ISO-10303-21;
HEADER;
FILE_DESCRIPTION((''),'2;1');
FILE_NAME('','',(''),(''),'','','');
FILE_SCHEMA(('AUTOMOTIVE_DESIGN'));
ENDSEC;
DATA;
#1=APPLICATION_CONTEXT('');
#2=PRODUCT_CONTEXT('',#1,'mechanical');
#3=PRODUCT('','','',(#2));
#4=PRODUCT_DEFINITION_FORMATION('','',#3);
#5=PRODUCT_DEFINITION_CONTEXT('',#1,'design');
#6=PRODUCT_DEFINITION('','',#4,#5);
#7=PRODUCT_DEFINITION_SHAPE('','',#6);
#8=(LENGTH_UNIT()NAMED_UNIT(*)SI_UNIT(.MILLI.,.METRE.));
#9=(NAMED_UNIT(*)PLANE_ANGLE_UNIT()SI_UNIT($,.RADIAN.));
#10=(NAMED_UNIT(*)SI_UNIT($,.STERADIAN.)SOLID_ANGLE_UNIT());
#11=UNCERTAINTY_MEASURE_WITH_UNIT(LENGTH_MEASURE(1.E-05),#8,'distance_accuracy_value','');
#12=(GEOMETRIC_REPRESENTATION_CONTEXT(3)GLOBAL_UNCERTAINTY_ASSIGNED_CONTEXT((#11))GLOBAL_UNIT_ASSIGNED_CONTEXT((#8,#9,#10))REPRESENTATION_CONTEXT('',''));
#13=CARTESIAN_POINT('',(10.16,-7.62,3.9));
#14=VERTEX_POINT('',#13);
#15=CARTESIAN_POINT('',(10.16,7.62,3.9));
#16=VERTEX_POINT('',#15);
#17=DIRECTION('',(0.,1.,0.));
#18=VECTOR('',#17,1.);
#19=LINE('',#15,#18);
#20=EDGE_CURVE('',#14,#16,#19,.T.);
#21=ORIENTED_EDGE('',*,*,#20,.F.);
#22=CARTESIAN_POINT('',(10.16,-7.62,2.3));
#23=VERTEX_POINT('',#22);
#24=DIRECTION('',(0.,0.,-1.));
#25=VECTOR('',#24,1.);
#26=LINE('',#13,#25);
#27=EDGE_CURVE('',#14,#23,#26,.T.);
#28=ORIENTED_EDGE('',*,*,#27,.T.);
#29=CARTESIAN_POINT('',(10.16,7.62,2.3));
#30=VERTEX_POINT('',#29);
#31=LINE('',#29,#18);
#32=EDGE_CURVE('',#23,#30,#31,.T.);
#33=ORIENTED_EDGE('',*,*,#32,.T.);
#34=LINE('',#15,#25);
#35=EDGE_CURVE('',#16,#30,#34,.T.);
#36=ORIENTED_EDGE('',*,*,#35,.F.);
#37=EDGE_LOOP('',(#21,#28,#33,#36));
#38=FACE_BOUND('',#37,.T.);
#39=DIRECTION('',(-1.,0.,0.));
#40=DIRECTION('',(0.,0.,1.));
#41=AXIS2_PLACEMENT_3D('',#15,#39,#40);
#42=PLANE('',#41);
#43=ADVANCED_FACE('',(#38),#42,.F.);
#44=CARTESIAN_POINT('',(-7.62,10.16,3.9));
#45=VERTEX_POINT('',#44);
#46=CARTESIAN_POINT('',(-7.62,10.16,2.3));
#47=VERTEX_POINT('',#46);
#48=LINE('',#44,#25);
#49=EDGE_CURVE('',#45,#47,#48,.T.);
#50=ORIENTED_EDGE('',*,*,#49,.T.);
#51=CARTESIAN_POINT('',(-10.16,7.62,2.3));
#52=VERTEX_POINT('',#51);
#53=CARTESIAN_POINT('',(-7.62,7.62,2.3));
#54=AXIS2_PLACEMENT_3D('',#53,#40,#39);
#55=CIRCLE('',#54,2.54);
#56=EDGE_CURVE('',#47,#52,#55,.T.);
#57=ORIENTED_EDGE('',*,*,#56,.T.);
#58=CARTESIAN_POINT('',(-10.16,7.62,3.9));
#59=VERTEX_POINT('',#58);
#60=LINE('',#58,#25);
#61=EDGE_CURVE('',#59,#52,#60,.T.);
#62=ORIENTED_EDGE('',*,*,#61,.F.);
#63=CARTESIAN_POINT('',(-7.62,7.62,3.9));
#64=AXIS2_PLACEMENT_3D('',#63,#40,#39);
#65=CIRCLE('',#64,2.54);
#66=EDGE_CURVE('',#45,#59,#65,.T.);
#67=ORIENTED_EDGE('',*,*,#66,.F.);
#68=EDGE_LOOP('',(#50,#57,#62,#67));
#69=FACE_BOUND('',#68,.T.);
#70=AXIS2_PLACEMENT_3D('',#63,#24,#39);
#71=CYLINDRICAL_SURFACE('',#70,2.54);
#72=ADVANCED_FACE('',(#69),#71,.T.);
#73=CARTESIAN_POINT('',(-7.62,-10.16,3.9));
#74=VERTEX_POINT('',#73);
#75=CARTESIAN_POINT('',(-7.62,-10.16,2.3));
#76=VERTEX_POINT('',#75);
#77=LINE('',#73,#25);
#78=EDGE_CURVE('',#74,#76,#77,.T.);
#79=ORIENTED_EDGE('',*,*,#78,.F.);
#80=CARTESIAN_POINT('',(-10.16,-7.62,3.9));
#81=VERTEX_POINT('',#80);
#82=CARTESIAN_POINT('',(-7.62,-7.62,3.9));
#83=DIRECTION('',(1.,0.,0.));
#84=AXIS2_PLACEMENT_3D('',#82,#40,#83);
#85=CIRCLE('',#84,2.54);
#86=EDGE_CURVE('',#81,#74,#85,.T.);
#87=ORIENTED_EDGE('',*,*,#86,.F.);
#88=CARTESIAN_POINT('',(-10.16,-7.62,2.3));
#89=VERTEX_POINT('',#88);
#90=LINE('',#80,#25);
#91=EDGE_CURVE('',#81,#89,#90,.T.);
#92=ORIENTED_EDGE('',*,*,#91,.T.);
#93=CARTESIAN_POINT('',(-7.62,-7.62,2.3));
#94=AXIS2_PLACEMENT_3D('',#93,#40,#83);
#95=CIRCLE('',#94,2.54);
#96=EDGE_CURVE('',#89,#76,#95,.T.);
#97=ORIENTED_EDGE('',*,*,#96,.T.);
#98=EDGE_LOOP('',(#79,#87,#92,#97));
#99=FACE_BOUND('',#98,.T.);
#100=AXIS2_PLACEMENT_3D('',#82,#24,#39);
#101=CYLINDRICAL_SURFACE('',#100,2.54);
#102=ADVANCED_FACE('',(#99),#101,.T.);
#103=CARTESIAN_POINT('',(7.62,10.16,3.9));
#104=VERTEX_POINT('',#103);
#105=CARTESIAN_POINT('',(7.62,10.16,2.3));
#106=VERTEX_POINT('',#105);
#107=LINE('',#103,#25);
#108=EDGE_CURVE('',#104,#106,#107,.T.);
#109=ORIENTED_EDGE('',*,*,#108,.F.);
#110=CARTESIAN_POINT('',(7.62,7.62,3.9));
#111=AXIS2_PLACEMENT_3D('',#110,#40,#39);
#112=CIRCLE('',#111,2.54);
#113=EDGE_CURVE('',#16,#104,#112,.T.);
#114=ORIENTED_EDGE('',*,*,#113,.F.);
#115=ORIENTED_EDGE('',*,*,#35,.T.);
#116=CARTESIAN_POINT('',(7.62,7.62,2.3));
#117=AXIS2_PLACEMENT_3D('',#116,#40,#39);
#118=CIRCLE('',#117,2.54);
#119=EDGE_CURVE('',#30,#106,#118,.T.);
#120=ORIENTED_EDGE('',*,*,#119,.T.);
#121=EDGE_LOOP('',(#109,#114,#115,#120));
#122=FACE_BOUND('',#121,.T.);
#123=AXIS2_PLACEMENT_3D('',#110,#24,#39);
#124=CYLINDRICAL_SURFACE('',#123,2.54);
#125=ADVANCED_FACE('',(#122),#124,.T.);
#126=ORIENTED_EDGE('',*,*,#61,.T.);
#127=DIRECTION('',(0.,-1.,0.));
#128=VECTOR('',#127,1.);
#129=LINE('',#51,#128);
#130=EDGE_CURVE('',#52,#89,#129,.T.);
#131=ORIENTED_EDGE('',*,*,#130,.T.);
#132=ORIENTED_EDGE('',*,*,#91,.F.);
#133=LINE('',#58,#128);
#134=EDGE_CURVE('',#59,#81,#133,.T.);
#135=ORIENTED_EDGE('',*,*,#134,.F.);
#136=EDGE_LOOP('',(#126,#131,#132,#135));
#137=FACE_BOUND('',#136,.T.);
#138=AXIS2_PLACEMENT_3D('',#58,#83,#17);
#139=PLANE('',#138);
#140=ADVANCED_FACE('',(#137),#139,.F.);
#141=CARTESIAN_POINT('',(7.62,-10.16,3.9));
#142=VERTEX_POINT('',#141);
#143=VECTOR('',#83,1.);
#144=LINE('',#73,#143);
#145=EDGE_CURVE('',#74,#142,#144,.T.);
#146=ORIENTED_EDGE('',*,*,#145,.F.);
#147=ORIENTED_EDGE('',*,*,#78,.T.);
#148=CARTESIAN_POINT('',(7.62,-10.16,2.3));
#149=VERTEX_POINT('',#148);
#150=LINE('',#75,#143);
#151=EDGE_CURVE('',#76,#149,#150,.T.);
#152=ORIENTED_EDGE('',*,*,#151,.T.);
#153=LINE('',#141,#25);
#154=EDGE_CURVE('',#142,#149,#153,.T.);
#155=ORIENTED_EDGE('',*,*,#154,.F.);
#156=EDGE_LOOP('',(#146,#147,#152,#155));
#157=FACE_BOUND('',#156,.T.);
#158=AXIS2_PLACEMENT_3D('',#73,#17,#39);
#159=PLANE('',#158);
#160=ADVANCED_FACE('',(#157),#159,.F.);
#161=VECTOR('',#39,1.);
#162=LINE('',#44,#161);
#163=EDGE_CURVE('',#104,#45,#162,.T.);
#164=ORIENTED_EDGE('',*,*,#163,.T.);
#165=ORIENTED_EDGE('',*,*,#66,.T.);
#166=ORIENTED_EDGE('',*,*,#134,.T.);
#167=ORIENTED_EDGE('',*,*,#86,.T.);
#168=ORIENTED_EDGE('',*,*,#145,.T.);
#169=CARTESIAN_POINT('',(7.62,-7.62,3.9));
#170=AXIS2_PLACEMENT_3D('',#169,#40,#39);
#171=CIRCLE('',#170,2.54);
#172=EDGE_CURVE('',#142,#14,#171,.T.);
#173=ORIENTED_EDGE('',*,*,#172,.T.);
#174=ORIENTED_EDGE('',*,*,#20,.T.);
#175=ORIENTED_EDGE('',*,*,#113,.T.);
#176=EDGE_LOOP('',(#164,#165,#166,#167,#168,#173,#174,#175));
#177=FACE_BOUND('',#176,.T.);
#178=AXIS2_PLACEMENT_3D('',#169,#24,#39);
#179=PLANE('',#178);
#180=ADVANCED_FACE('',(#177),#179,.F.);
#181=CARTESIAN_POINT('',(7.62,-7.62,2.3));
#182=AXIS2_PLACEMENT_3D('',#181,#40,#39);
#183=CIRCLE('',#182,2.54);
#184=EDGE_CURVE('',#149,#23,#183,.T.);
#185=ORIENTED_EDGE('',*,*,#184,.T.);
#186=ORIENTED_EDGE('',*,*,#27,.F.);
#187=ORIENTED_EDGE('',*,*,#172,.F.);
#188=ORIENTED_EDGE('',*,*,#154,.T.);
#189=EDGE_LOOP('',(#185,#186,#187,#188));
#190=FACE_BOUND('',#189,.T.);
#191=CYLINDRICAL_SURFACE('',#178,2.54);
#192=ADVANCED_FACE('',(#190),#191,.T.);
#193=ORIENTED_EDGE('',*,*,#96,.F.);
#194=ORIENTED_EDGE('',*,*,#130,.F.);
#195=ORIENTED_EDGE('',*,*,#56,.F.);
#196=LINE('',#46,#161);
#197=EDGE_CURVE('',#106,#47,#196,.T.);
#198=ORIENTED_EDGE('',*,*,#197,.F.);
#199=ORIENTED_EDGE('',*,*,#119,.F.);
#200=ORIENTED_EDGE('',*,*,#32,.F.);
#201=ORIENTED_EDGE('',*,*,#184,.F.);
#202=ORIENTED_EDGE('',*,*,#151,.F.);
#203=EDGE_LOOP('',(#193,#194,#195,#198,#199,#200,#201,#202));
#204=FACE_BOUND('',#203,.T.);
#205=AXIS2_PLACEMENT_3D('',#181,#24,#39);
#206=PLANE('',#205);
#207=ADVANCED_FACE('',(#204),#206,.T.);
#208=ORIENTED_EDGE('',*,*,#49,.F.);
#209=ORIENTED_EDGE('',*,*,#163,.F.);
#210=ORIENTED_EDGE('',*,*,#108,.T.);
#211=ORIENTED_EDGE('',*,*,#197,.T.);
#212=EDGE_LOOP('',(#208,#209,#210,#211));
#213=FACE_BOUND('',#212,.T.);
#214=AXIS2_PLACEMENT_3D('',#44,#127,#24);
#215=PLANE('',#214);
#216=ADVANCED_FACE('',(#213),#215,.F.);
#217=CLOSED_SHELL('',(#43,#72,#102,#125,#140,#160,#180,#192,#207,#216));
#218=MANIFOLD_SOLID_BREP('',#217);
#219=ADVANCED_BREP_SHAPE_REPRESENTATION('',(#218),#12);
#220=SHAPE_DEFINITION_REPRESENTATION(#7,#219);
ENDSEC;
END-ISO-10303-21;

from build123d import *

# Parameters (mm, degrees)
BOSS_EXTRUDE1_DEPTH = 1.6


with BuildPart() as part:
    # Sketch2 → Boss-Extrude1 (new body)
    with BuildSketch(Plane.XY.offset(2.3)):
        with BuildLine():
            Line((-7.62, 10.16), (7.62, 10.16))
            ThreePointArc((7.62, 10.16), (9.416051224, 9.416051224), (10.16, 7.62))
            Line((10.16, 7.62), (10.16, -7.62))
            ThreePointArc((10.16, -7.62), (9.416051224, -9.416051224), (7.62, -10.16))
            Line((7.62, -10.16), (-7.62, -10.16))
            ThreePointArc((-7.62, -10.16), (-9.416051224, -9.416051224), (-10.16, -7.62))
            Line((-10.16, -7.62), (-10.16, 7.62))
            ThreePointArc((-10.16, 7.62), (-9.416051224, 9.416051224), (-7.62, 10.16))
        make_face()
    extrude(amount=BOSS_EXTRUDE1_DEPTH)


solid = part.part
